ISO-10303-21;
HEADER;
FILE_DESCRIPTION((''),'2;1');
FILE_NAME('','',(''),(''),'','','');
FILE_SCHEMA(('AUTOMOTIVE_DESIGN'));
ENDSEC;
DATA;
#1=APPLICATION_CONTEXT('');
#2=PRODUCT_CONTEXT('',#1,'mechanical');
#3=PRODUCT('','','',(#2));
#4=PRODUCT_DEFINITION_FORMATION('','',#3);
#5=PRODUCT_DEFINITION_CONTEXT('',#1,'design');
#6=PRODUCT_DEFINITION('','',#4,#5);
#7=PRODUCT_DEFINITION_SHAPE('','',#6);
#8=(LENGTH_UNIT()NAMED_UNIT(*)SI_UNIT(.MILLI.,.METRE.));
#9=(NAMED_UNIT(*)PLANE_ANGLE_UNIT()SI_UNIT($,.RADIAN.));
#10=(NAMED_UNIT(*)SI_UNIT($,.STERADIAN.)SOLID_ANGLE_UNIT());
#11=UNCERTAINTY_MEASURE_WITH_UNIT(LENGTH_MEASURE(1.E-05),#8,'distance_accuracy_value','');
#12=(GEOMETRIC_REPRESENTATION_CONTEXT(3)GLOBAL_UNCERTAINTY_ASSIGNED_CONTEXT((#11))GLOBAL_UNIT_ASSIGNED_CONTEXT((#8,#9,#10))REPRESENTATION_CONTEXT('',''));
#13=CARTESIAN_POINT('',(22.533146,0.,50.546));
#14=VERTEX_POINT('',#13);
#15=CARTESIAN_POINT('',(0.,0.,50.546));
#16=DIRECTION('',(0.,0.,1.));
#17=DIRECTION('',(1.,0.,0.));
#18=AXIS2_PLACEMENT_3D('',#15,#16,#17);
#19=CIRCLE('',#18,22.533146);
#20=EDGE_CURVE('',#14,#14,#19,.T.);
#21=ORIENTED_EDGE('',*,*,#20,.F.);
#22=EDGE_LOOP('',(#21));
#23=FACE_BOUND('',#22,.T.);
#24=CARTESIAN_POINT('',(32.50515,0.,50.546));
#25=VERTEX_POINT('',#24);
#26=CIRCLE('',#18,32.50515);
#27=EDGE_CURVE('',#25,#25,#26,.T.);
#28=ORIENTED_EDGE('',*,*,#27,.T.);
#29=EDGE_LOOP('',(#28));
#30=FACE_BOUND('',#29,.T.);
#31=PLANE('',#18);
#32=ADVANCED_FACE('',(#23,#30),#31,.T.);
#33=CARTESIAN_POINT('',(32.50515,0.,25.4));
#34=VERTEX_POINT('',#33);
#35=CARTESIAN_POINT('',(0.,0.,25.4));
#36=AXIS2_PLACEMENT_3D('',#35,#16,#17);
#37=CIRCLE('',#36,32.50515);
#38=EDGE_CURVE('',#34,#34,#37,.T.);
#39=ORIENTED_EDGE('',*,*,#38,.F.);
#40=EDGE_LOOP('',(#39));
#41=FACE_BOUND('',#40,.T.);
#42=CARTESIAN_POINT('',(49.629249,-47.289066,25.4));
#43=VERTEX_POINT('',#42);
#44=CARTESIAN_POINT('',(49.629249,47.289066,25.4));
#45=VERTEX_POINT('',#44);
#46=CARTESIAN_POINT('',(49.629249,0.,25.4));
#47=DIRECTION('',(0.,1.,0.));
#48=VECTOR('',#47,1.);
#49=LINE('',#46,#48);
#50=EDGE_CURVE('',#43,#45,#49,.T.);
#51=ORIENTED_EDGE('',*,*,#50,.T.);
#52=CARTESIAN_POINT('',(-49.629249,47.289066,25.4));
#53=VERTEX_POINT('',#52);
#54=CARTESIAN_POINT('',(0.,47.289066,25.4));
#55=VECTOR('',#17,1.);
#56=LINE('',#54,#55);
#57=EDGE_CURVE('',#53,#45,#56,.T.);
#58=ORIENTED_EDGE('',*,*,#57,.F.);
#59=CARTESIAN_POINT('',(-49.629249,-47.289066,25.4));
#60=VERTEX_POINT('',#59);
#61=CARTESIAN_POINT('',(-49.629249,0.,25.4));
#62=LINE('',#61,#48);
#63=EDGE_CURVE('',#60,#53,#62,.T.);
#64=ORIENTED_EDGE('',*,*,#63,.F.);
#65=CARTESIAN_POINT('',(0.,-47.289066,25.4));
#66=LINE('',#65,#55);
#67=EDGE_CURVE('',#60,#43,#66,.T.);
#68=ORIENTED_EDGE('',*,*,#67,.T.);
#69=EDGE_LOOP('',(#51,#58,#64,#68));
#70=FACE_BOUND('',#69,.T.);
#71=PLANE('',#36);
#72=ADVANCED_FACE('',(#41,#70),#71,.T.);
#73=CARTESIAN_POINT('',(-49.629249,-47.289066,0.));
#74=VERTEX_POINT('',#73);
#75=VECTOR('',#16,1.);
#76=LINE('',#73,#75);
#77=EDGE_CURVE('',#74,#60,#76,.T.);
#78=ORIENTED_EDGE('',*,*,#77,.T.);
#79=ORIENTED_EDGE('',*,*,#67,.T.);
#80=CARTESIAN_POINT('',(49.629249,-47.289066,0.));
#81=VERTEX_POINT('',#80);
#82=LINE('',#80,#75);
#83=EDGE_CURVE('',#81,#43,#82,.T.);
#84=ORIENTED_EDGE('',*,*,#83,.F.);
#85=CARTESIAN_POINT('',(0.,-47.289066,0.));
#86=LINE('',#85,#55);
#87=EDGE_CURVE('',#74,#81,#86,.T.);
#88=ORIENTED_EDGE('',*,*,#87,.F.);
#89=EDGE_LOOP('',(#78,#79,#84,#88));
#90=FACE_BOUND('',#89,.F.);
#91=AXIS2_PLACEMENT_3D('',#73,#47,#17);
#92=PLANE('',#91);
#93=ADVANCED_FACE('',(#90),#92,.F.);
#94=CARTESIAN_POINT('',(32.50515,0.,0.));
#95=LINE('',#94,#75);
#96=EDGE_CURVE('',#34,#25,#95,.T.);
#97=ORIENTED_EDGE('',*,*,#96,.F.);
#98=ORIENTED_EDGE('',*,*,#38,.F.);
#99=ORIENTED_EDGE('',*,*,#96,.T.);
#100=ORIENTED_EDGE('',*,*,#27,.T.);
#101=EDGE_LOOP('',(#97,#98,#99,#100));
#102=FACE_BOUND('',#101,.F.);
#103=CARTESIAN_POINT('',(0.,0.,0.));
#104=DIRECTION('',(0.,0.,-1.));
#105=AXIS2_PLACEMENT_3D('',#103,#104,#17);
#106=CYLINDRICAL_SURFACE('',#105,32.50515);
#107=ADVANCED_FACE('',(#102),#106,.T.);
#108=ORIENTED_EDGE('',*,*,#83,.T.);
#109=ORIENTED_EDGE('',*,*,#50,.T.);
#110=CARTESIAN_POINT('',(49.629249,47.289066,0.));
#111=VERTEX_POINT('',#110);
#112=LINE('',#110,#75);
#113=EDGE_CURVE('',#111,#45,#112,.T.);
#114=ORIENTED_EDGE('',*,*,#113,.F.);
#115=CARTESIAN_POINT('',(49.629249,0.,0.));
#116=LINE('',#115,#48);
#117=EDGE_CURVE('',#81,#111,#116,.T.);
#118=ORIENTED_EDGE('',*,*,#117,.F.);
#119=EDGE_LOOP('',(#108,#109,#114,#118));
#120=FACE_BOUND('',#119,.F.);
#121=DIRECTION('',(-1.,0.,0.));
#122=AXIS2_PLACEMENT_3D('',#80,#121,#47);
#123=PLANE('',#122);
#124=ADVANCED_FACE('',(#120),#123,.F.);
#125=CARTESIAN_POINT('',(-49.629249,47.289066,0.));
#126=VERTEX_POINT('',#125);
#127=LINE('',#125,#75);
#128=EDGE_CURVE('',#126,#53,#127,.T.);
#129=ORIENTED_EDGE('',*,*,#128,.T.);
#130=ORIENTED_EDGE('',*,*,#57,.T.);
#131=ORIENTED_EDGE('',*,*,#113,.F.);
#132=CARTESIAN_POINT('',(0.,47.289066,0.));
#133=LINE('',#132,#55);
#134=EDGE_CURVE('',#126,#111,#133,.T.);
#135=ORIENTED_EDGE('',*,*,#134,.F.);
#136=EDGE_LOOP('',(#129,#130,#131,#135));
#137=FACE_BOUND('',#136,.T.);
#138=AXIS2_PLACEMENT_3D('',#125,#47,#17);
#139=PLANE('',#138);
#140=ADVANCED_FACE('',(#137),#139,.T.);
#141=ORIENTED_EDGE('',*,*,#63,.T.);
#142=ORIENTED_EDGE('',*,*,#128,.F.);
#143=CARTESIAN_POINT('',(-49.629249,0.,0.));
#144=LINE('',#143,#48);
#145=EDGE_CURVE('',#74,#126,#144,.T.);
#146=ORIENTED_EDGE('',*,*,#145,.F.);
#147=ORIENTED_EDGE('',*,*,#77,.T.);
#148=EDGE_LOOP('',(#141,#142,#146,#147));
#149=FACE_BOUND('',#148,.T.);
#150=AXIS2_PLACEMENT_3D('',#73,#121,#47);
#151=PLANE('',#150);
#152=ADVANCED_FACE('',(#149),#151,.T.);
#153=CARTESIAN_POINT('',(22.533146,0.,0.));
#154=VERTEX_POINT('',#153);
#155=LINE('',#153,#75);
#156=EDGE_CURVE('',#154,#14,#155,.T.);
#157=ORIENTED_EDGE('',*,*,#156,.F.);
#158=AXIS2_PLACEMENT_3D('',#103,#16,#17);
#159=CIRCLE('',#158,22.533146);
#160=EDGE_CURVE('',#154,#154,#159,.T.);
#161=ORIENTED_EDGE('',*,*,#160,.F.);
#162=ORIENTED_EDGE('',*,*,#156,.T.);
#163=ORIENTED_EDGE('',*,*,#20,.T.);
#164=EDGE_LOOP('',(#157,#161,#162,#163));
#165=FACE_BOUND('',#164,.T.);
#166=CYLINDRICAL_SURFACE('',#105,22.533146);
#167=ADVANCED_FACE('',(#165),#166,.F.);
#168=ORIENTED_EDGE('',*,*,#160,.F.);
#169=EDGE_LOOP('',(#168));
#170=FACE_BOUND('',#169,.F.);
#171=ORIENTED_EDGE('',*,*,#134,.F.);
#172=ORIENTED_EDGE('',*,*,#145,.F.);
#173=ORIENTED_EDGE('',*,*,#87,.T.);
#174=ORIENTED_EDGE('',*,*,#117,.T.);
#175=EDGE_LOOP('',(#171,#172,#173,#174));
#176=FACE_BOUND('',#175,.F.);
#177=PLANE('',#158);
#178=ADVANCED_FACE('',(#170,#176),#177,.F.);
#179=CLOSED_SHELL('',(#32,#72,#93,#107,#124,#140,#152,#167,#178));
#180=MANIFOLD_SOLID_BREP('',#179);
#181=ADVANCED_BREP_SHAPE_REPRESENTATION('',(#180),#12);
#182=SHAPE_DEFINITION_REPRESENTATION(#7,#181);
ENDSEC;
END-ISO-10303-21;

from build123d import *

# Parameters (mm, degrees)
F0_R     = 32.50515
F0_R_2   = 22.533146
F1_DEPTH = 50.546
F0_W     = 99.258498
F0_H     = 94.578132
F2_DEPTH = 25.4


with BuildPart() as f1:
    # F0 (on Top) → F1 (new body)
    with BuildSketch(Plane.XY):
        Circle(F0_R)
        Circle(F0_R_2, mode=Mode.SUBTRACT)
    extrude(amount=F1_DEPTH)

    # F0 (on Top) → F2 (join)
    with BuildSketch(Plane.XY):
        Rectangle(F0_W, F0_H)
        Circle(F0_R, mode=Mode.SUBTRACT)
    extrude(amount=F2_DEPTH)


solid = f1.part
